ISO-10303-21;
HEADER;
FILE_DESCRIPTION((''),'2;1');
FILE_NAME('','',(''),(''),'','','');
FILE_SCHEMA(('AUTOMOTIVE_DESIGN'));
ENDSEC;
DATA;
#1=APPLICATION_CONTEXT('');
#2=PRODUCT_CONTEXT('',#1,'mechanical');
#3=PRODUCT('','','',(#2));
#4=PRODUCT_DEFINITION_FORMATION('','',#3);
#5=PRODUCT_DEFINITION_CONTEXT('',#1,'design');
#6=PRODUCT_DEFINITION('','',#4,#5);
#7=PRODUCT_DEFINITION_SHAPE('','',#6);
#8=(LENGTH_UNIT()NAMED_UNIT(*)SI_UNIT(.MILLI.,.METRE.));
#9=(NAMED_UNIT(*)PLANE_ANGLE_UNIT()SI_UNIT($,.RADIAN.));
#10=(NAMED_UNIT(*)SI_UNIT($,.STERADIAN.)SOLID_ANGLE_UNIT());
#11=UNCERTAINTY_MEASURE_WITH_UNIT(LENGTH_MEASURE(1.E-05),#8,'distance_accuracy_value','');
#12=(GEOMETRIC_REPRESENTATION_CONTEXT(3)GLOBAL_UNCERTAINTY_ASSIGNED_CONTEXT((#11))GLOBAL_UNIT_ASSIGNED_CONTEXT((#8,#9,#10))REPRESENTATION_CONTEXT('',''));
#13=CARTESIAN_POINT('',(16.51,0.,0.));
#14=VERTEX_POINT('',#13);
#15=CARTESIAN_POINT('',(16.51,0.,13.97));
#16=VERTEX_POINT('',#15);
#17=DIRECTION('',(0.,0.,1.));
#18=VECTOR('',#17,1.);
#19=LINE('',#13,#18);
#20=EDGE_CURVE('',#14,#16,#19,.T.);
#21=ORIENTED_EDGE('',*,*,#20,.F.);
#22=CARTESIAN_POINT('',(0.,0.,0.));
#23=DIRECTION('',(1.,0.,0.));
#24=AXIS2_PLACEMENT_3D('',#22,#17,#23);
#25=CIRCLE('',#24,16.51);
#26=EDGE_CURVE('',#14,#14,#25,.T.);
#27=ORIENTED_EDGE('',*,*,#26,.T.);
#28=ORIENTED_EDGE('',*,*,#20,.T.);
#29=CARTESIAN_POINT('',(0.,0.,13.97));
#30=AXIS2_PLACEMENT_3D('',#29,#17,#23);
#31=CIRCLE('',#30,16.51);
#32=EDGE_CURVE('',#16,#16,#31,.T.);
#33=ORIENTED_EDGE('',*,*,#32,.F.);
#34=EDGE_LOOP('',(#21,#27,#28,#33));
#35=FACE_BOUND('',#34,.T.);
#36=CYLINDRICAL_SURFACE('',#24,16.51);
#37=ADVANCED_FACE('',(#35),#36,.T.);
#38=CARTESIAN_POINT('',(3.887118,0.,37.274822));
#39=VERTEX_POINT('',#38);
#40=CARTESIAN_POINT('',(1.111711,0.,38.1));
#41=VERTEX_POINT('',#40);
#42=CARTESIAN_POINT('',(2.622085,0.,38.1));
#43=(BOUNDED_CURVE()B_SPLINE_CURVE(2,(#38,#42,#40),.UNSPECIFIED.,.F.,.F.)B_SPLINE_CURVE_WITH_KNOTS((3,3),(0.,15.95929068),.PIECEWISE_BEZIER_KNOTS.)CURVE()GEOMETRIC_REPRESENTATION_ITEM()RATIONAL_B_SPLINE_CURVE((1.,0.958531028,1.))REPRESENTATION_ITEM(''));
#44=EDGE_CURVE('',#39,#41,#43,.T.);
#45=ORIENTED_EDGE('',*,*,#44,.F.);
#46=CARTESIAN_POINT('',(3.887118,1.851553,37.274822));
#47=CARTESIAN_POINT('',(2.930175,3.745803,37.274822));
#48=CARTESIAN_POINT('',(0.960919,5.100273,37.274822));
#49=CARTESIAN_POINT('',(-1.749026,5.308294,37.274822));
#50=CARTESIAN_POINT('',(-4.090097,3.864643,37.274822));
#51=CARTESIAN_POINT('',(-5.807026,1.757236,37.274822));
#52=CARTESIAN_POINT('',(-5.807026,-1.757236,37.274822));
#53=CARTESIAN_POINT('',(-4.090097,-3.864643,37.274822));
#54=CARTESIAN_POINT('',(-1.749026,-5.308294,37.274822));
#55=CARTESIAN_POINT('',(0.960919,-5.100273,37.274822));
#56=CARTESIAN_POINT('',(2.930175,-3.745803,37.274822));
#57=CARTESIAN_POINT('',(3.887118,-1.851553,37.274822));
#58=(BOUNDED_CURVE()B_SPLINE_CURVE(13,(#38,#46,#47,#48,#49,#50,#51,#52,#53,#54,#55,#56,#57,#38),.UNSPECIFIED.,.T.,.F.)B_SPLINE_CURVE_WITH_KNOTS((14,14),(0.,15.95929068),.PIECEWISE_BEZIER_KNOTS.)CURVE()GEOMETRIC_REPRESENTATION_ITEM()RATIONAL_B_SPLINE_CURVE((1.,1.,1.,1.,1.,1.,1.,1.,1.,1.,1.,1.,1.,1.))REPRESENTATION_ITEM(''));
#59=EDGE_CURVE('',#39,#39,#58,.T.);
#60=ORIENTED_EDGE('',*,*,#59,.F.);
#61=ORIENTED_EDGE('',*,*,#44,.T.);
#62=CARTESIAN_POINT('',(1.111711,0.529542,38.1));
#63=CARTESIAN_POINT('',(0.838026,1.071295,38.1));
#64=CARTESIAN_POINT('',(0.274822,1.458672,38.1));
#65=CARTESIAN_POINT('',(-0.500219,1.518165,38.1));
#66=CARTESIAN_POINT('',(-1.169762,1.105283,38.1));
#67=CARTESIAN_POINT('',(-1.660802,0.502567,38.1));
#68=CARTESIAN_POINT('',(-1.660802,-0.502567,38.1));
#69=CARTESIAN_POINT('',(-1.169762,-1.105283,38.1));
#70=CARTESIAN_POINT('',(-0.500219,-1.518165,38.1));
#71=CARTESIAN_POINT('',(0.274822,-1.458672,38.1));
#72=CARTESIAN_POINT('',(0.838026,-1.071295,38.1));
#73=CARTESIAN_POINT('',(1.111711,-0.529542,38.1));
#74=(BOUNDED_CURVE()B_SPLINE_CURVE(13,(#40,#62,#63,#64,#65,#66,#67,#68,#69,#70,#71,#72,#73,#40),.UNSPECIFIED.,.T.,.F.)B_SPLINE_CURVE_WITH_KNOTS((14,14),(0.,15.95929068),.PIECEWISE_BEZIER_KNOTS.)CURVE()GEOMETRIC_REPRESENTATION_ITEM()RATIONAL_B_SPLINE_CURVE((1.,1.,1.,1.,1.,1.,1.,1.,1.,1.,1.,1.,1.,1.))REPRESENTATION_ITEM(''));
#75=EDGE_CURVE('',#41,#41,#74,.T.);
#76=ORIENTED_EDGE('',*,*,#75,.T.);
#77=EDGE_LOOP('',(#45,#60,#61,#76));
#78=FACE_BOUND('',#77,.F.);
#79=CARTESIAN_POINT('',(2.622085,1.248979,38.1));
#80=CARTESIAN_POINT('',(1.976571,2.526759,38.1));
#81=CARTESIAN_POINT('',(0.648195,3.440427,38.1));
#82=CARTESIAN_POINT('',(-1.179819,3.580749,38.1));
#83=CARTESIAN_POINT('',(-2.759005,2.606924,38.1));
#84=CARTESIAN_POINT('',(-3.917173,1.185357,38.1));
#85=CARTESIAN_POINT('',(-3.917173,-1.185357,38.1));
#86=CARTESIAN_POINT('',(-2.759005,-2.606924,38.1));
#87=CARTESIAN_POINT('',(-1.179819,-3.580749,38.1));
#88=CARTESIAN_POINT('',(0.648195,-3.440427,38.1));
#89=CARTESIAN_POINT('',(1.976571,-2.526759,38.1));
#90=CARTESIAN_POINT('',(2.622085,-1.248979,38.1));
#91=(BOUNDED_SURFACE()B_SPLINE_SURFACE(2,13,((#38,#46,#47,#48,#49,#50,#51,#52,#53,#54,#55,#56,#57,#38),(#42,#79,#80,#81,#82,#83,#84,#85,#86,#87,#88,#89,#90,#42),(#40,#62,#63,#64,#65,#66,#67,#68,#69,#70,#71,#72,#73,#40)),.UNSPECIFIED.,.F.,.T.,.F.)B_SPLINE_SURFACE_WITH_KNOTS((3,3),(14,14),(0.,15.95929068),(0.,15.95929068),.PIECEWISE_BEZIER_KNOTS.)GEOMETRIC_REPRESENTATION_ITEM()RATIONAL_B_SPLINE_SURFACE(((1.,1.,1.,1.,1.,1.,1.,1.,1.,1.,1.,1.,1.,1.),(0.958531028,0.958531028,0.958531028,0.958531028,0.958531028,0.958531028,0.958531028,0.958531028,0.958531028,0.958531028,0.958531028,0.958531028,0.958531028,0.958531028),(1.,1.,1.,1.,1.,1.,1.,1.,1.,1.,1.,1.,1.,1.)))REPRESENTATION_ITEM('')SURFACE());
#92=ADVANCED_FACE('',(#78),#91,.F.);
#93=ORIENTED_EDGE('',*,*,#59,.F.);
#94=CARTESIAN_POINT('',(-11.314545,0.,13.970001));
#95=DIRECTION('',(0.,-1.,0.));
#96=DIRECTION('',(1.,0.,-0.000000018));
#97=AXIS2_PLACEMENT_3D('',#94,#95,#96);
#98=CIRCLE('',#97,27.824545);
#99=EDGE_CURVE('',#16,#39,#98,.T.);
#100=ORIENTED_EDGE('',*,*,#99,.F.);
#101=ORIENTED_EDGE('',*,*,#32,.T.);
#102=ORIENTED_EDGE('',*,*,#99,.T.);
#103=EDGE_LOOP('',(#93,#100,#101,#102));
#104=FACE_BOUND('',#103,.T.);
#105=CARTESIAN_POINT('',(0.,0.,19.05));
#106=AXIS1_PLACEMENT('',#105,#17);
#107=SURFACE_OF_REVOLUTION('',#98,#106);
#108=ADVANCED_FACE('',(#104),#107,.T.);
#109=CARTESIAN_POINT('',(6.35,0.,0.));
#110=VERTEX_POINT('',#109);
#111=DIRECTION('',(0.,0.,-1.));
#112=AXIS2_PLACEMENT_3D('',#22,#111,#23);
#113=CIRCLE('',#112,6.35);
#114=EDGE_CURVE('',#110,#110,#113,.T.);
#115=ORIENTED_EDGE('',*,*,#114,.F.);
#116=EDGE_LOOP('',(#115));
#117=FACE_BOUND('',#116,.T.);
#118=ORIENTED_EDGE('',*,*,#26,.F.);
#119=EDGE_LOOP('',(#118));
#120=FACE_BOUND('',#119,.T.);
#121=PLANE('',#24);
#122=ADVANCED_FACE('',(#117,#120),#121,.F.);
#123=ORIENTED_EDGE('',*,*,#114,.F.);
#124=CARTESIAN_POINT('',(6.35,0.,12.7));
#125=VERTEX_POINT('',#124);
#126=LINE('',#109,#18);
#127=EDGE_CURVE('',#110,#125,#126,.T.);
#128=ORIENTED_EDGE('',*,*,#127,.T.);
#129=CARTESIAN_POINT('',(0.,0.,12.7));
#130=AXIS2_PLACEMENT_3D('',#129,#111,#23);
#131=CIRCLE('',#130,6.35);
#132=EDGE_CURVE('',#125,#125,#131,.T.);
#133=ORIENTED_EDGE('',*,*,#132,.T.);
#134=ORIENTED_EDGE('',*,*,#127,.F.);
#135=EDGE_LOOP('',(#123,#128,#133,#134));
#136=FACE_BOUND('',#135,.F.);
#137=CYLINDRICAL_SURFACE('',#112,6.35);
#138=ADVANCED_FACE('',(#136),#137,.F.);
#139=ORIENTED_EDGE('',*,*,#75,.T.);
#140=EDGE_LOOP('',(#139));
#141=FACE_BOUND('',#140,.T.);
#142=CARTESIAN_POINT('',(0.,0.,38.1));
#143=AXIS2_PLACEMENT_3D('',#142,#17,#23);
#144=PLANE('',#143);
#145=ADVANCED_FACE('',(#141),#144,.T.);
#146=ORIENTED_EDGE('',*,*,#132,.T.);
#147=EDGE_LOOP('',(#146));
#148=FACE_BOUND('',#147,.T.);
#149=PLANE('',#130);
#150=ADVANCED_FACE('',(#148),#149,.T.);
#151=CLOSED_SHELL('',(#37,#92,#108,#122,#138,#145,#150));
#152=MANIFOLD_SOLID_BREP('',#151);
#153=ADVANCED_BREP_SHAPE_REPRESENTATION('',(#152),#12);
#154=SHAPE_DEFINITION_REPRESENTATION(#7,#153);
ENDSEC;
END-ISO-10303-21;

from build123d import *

# Parameters (mm, degrees)
F2_R     = 5.08
F3_R     = 6.35
F4_DEPTH = 12.7


with BuildPart() as f1:
    # F0 (on Front) → F1 (revolve)
    with BuildSketch(Plane.XZ):
        with BuildLine():
            Line((0, 38.1), (0, 0))
            Line((0, 0), (16.51, 0))
            Line((16.51, 0), (16.51, 13.97))
            ThreePointArc((16.51, 13.97), (12.765548, 27.911106), (2.54, 38.1))
            Line((2.54, 38.1), (0, 38.1))
        make_face()
    revolve(axis=Axis((0, 0, 19.05), (0, 0, 1)))

    # F2
    f2_edges = [f1.edges().sort_by_distance(p)[0] for p in [
        (-2.54, 0, 38.1),
    ]]
    fillet(f2_edges, radius=F2_R)

    # F3 (on face) → F4 (cut)
    with BuildSketch(Plane(origin=(0, 0, 0), x_dir=(1, 0, 0), z_dir=(0, 0, -1))):
        Circle(F3_R)
    extrude(amount=-F4_DEPTH, mode=Mode.SUBTRACT)


solid = f1.part
